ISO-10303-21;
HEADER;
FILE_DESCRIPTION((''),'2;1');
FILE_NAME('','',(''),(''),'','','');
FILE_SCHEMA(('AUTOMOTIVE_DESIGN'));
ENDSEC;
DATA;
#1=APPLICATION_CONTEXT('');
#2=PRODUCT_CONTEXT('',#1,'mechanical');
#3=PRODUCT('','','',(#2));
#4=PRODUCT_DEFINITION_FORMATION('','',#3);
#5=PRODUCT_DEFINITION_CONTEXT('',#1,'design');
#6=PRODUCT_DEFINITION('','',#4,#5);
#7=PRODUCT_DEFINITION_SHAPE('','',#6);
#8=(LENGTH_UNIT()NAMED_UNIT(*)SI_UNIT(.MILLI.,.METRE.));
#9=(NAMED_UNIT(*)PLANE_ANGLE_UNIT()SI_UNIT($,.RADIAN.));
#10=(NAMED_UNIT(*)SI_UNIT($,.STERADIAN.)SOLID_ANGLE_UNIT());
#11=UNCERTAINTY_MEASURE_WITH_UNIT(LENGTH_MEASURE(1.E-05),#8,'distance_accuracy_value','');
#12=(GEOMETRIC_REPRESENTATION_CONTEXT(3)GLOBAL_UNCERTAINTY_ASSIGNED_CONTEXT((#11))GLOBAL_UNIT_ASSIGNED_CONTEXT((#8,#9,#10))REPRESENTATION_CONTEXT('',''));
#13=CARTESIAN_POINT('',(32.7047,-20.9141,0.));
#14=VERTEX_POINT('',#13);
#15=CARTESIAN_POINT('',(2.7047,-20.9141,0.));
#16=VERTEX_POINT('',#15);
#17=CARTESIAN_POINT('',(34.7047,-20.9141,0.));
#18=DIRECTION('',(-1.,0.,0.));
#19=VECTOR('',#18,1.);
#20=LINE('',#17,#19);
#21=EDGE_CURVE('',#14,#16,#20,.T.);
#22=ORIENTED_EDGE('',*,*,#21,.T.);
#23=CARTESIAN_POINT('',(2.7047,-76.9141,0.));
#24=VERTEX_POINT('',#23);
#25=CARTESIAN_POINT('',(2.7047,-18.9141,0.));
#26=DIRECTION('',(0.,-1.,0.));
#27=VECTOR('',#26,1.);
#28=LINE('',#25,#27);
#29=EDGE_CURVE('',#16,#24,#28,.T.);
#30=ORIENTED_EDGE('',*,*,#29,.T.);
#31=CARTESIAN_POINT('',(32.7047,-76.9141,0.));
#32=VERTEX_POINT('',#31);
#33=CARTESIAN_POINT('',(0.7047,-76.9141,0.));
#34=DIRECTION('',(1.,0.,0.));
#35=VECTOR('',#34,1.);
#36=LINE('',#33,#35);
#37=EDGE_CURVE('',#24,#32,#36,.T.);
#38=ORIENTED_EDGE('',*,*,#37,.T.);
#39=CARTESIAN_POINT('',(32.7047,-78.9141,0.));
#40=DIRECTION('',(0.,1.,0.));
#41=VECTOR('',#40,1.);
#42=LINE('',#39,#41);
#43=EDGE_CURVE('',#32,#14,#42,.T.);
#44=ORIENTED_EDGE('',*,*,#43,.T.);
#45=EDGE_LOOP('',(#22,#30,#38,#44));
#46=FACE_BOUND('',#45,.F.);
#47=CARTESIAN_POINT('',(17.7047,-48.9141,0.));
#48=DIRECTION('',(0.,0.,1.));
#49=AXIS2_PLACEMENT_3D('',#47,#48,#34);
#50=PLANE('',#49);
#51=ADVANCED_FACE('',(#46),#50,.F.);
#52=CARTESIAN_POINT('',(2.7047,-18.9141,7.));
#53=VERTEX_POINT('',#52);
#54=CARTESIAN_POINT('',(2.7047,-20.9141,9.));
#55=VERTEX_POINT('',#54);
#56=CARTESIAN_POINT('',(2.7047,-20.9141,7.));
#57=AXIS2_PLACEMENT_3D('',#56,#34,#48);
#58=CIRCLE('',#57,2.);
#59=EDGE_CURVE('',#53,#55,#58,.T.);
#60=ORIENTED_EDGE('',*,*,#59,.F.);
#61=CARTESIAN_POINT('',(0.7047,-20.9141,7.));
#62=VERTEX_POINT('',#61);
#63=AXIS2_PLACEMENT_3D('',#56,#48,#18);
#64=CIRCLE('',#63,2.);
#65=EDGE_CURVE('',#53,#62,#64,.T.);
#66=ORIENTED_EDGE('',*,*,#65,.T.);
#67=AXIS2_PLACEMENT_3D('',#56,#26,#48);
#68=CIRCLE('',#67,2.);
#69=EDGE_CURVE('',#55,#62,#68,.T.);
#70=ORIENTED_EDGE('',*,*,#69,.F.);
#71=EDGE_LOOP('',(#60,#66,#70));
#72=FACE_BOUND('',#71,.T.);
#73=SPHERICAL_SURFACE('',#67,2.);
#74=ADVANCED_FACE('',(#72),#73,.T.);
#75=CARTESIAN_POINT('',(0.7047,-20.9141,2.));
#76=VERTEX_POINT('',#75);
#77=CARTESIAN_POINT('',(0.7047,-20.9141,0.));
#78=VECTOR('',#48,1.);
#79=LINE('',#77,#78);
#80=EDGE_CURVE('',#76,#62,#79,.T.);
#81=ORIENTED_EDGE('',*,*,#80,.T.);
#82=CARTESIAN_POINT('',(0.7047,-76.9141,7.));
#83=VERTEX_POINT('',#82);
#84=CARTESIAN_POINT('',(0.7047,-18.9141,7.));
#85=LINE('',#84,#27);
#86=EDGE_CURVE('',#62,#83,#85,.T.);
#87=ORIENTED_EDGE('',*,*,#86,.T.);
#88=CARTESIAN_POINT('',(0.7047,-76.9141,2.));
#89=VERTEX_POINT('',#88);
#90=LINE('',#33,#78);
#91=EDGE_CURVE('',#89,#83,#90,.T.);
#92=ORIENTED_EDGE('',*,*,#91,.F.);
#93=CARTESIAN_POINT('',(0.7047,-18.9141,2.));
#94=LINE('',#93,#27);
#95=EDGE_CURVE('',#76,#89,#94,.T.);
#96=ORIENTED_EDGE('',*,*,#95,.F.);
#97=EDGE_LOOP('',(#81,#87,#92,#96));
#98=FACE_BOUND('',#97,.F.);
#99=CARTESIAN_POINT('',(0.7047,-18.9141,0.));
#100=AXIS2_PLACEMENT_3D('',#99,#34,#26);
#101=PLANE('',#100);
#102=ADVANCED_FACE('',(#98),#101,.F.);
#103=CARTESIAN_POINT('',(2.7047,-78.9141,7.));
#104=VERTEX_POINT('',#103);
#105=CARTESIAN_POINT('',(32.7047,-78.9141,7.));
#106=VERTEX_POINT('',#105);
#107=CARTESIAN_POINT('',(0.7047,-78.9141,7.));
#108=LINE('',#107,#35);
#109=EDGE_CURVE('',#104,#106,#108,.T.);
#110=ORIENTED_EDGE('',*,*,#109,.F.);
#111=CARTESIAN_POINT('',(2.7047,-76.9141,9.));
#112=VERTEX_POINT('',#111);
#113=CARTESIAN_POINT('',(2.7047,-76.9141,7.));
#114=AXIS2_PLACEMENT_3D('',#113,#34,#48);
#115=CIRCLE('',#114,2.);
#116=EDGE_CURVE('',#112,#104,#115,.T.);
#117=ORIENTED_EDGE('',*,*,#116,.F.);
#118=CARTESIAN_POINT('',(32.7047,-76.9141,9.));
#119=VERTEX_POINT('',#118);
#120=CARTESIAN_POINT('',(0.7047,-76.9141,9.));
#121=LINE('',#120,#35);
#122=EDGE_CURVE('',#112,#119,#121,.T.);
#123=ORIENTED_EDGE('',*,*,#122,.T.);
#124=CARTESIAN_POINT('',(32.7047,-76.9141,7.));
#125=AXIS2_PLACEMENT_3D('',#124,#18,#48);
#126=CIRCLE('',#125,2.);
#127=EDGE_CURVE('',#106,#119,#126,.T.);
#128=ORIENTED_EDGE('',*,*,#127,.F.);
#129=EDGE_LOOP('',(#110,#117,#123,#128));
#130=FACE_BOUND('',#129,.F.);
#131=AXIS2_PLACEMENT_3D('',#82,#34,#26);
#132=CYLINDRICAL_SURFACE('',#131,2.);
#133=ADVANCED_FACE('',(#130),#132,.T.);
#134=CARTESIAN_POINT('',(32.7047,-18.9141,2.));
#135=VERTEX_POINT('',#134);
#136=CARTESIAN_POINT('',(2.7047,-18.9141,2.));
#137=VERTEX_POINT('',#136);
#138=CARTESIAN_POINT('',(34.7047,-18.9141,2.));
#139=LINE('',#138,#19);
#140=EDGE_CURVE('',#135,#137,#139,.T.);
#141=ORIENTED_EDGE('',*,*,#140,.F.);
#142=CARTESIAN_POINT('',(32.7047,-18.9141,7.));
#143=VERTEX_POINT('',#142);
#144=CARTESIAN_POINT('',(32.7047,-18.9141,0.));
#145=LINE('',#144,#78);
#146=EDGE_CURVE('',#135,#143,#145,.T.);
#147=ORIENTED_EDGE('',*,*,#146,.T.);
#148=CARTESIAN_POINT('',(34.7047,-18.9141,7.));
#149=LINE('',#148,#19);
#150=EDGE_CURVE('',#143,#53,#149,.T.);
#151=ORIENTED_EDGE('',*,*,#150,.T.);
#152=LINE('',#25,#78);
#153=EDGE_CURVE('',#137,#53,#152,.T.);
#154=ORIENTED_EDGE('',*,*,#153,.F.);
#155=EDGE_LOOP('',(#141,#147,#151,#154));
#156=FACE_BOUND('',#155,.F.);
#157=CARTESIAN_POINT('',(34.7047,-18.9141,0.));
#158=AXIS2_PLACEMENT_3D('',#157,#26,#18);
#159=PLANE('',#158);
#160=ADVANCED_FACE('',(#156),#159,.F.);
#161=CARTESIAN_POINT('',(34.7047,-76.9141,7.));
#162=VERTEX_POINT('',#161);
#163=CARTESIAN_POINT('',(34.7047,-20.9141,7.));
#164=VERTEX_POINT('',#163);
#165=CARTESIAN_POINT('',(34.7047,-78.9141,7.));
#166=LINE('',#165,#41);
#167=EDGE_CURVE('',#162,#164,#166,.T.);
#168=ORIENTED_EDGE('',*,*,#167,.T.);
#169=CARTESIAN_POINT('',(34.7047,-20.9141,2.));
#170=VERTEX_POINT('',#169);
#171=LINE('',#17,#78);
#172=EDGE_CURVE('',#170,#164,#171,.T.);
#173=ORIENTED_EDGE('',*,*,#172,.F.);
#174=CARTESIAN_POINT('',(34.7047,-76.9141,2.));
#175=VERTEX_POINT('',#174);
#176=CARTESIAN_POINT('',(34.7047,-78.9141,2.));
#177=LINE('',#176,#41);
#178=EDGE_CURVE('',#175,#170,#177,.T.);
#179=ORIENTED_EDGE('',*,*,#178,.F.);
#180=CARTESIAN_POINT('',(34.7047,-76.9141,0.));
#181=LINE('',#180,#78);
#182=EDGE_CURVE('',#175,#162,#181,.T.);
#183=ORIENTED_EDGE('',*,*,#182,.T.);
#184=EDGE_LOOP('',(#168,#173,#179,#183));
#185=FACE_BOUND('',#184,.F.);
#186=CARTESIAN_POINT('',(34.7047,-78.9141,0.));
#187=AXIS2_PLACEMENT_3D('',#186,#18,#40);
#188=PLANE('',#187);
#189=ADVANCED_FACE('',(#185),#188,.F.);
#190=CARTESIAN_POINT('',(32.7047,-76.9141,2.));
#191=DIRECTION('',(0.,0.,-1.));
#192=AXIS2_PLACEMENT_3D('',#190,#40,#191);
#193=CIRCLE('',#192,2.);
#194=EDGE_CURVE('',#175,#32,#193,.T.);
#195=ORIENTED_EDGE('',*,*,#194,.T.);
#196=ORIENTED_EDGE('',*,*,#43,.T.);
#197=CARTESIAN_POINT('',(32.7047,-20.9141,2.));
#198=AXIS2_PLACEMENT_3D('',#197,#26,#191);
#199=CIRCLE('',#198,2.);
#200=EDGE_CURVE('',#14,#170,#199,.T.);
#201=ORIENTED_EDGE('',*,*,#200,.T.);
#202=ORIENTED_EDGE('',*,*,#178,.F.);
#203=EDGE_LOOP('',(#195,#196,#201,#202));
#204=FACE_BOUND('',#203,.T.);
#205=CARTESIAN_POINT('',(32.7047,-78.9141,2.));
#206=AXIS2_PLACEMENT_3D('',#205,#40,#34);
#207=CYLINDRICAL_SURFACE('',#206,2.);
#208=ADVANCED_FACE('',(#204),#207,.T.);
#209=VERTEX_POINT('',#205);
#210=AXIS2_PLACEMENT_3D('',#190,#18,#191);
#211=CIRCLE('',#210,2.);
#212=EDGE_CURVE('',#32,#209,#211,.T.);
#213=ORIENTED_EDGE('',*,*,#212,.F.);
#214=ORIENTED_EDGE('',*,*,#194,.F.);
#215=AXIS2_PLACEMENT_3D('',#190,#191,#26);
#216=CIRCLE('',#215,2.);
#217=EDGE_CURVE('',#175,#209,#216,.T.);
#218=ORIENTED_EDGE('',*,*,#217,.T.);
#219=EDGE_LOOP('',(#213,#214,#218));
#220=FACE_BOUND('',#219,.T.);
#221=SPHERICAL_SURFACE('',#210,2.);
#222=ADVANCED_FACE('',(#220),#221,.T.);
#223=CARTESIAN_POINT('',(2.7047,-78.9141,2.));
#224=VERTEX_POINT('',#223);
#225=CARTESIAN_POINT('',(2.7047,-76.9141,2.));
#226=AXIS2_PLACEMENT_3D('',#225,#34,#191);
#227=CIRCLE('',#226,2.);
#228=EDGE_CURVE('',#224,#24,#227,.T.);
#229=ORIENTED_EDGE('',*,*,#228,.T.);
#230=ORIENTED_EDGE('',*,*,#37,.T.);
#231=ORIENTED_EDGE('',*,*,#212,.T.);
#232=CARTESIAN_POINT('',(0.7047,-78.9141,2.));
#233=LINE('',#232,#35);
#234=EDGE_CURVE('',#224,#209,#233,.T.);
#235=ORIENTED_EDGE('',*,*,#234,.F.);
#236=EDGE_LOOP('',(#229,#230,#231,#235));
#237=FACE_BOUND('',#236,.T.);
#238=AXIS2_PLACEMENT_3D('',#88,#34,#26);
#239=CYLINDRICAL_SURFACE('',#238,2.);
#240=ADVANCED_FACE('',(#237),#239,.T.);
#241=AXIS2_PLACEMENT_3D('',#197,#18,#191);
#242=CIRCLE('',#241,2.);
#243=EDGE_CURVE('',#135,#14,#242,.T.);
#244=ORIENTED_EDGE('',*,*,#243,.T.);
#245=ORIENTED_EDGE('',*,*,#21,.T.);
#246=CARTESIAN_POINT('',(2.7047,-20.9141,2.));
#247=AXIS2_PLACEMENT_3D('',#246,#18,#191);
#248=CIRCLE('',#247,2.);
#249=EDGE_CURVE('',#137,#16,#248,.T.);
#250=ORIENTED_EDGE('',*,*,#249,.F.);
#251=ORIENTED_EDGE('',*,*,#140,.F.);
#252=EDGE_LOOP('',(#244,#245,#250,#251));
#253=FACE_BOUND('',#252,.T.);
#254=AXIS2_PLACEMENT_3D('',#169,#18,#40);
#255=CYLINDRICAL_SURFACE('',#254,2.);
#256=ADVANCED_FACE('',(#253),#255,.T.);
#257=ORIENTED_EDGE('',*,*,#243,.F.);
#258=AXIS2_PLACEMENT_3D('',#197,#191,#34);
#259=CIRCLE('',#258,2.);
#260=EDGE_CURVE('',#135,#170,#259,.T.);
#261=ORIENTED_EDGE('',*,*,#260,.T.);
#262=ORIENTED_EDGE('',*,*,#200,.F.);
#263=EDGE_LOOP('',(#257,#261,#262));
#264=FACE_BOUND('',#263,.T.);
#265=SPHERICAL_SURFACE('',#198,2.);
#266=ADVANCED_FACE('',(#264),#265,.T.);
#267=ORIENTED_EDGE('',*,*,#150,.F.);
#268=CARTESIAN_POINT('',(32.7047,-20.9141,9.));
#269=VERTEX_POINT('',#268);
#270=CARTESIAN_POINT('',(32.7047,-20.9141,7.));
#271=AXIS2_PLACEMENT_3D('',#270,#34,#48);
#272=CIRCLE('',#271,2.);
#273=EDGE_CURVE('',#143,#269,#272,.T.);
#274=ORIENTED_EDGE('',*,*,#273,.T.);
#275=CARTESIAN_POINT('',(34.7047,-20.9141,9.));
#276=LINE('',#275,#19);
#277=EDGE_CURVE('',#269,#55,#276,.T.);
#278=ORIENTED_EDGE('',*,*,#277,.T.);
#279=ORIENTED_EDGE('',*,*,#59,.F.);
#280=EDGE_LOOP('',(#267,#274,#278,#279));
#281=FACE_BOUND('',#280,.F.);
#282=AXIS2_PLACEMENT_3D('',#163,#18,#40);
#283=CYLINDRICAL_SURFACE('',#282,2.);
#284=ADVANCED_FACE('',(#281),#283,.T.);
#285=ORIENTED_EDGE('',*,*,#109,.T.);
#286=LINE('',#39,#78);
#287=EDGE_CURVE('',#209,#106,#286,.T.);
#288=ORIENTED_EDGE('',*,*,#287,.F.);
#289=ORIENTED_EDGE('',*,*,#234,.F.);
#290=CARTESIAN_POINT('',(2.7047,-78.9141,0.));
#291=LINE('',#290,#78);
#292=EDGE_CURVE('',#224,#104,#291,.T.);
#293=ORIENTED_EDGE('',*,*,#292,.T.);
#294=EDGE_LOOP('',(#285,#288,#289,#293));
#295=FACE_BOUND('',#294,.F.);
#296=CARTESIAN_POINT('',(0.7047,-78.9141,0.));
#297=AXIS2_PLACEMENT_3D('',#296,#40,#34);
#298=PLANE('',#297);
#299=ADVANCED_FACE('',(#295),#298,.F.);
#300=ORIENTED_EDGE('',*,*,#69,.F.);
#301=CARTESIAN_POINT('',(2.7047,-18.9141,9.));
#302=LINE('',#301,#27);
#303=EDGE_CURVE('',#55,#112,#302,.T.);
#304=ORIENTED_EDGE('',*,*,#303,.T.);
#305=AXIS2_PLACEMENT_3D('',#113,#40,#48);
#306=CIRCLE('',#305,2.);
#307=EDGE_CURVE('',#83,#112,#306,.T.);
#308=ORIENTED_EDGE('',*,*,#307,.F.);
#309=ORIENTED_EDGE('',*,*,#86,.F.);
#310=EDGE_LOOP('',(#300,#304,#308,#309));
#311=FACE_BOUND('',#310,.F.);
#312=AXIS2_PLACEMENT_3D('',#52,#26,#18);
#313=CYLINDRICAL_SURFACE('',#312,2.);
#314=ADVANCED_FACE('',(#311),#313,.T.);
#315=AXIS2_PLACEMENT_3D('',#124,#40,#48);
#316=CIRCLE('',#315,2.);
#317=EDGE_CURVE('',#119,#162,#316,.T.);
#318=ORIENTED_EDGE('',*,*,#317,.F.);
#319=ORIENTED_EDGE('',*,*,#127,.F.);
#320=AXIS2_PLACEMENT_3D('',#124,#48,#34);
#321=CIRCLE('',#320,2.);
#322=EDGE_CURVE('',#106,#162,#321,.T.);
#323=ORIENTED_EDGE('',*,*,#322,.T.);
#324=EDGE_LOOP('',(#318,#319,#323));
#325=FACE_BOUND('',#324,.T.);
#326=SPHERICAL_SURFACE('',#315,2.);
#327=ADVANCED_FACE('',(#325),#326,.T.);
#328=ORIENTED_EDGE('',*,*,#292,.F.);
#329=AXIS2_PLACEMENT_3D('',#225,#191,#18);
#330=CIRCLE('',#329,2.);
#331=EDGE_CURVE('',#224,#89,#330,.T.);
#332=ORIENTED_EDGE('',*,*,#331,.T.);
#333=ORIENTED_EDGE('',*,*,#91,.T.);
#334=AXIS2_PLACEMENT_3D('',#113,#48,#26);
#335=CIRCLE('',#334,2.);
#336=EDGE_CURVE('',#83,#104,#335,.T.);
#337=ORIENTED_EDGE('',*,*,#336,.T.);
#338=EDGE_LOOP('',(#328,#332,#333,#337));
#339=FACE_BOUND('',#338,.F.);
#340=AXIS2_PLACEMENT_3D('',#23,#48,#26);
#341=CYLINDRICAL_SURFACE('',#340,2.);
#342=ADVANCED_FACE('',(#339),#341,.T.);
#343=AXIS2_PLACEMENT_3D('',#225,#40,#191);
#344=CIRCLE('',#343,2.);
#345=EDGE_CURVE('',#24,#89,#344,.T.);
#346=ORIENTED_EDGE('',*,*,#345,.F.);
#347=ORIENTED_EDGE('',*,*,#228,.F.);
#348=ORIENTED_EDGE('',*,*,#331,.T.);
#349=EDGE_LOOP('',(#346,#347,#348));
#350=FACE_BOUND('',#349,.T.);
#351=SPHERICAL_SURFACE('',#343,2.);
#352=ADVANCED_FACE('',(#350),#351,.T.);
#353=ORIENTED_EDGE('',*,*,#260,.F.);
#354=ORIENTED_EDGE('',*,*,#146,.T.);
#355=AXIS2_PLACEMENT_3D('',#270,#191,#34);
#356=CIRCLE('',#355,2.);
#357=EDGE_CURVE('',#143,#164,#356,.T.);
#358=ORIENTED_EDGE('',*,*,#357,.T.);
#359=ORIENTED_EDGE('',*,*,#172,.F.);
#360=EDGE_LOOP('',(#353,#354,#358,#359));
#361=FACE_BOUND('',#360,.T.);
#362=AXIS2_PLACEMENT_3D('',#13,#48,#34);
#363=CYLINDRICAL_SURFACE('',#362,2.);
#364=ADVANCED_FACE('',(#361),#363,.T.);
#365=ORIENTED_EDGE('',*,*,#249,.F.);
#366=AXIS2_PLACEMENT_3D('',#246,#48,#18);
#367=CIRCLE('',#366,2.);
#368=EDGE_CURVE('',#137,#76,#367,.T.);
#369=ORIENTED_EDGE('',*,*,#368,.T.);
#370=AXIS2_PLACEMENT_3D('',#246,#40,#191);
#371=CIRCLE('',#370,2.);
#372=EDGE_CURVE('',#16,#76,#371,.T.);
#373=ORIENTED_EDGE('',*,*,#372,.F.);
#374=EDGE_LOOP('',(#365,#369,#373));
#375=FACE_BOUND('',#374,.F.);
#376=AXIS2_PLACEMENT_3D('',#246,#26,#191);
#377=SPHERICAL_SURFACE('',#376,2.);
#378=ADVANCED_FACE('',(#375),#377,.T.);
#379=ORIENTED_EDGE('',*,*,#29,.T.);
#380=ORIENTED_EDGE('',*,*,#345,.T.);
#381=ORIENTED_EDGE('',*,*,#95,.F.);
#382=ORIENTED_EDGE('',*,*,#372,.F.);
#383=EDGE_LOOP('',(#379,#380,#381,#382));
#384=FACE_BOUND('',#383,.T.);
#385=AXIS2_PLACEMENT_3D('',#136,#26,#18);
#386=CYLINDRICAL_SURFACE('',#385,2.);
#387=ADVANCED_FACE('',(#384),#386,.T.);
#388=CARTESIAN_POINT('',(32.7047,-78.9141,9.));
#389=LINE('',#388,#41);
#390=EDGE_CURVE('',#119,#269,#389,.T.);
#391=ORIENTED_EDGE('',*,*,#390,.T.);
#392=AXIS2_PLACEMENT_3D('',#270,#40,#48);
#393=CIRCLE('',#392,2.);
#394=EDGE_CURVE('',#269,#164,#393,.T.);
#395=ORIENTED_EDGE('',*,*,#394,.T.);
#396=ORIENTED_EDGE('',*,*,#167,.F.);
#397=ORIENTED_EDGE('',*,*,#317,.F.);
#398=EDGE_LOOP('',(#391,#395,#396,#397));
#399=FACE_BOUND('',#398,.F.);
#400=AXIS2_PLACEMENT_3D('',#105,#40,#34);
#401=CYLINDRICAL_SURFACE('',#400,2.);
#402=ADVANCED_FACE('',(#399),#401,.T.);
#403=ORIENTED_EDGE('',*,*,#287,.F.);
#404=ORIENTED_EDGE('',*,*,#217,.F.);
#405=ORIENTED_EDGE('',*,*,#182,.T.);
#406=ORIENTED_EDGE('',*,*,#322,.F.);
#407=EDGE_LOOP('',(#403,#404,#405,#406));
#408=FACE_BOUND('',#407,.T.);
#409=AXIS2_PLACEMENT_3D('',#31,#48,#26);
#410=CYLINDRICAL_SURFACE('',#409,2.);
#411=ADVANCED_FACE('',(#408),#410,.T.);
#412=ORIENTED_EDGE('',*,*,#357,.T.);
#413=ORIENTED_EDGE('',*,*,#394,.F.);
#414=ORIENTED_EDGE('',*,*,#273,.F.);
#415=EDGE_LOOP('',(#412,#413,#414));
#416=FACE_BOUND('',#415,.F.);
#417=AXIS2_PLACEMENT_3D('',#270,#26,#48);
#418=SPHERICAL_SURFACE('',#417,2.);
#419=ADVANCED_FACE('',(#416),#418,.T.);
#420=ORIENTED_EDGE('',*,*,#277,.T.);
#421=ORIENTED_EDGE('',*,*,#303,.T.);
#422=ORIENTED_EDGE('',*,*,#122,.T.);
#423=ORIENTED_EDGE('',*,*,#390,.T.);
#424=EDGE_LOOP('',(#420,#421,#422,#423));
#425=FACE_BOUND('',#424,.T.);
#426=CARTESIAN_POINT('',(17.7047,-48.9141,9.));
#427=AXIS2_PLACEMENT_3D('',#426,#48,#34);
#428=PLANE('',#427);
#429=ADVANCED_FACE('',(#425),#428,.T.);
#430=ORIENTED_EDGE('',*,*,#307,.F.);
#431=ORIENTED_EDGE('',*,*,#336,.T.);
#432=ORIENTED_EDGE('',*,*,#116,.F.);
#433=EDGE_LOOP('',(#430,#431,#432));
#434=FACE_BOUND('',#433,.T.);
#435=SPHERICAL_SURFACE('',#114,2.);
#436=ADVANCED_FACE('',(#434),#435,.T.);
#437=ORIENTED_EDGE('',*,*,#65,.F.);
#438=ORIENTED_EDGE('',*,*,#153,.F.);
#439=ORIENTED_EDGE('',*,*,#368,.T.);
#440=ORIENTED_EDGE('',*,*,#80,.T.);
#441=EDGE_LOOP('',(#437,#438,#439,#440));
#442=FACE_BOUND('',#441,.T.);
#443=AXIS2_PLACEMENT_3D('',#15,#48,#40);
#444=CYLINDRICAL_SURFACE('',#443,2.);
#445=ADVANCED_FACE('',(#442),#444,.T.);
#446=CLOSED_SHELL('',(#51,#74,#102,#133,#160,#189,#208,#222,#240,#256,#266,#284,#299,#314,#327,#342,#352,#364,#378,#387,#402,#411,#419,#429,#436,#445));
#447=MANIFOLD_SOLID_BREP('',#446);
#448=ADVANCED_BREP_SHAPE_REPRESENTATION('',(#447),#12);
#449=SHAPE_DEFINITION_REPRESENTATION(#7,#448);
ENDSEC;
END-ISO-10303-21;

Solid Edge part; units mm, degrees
sketch "Sketch1" plane through (0, 0, 0) normal (0, 0, 1) x (1, 0, 0)
  line L0 (0.7047, -78.9141) -> (34.7047, -78.9141)
  line L1 (34.7047, -78.9141) -> (34.7047, -18.9141)
  line L2 (34.7047, -18.9141) -> (0.7047, -18.9141)
  line L3 (0.7047, -18.9141) -> (0.7047, -78.9141)
extrude "Protrusion1" add sketch "Sketch1" along normal blind 9
fillet "Round_1" radius 2 12 edges at (0.7047, -48.9141, 0) (17.7047, -78.9141, 0) (34.7047, -48.9141, 0) (17.7047, -18.9141, 0) (34.7047, -48.9141, 9) (17.7047, -78.9141, 9) (0.7047, -48.9141, 9) (17.7047, -18.9141, 9) (0.7047, -18.9141, 4.5) (0.7047, -78.9141, 4.5) (34.7047, -78.9141, 4.5) (34.7047, -18.9141, 4.5)
properties material "Zinc"
